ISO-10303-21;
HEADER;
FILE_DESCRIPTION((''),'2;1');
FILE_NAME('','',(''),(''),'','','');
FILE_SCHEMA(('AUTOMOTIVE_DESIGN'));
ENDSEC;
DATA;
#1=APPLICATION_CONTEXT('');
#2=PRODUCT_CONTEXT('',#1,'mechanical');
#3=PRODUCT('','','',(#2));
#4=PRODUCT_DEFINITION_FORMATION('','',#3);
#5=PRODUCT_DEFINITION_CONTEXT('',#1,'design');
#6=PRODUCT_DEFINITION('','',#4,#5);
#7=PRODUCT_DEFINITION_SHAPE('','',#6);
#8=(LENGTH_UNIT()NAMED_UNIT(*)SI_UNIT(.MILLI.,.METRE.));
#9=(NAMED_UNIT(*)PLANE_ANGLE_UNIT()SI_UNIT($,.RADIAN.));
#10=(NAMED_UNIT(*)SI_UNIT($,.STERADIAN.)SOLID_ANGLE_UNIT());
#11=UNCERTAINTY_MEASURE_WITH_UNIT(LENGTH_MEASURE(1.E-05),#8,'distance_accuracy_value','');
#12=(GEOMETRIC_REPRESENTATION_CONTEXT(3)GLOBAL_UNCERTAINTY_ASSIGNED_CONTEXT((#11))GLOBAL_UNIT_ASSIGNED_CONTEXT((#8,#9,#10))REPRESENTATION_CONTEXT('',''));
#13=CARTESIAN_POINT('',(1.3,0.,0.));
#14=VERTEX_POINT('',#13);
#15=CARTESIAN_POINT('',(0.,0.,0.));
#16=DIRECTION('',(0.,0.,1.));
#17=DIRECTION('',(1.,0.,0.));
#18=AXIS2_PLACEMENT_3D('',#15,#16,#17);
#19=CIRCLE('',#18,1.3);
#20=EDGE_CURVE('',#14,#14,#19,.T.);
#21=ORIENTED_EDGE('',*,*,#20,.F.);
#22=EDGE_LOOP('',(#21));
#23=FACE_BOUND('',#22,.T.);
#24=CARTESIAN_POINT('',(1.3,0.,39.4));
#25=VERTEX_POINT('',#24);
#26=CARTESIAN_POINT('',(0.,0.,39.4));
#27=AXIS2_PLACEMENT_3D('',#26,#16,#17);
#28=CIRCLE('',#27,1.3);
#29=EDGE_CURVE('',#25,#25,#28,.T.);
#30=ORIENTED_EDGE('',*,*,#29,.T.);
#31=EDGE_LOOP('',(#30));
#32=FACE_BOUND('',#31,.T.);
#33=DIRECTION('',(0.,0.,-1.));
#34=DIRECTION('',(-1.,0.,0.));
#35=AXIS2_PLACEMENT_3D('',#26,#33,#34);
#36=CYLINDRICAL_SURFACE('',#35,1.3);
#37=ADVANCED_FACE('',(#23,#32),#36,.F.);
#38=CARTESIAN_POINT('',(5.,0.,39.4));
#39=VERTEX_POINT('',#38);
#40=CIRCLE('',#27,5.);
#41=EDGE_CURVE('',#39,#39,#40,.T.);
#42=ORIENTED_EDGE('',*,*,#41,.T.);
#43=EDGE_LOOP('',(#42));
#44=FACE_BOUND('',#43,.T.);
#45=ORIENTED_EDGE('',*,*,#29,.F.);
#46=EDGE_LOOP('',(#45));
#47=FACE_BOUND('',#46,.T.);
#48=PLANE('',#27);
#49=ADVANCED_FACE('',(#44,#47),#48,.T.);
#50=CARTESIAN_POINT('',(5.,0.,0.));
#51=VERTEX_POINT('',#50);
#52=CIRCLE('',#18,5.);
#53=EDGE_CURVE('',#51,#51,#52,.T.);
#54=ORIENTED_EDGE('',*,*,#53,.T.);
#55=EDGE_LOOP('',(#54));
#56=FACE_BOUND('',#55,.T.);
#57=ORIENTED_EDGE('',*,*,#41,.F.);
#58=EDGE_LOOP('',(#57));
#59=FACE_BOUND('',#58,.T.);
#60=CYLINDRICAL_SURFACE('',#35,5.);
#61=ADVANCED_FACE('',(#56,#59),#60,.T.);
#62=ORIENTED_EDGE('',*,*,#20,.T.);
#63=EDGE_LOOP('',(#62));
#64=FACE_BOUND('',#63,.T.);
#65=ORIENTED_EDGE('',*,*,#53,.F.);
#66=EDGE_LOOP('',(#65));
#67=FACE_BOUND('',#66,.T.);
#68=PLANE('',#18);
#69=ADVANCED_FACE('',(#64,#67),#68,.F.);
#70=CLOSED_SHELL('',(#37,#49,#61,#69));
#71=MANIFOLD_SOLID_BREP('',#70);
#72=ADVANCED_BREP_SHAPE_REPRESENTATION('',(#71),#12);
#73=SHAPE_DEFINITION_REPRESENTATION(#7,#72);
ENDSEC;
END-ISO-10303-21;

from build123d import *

# Parameters (mm, degrees)
SKETCH_1_R      = 5
SKETCH_1_R_2    = 1.3
EXTRUDE_2_DEPTH = 39.4


with BuildPart() as part:
    # ｽｹｯﾁ1 → ﾎﾞｽ - 押し出し2 (new body)
    with BuildSketch(Plane.XY):
        Circle(SKETCH_1_R)
        Circle(SKETCH_1_R_2, mode=Mode.SUBTRACT)
    extrude(amount=EXTRUDE_2_DEPTH)


solid = part.part
